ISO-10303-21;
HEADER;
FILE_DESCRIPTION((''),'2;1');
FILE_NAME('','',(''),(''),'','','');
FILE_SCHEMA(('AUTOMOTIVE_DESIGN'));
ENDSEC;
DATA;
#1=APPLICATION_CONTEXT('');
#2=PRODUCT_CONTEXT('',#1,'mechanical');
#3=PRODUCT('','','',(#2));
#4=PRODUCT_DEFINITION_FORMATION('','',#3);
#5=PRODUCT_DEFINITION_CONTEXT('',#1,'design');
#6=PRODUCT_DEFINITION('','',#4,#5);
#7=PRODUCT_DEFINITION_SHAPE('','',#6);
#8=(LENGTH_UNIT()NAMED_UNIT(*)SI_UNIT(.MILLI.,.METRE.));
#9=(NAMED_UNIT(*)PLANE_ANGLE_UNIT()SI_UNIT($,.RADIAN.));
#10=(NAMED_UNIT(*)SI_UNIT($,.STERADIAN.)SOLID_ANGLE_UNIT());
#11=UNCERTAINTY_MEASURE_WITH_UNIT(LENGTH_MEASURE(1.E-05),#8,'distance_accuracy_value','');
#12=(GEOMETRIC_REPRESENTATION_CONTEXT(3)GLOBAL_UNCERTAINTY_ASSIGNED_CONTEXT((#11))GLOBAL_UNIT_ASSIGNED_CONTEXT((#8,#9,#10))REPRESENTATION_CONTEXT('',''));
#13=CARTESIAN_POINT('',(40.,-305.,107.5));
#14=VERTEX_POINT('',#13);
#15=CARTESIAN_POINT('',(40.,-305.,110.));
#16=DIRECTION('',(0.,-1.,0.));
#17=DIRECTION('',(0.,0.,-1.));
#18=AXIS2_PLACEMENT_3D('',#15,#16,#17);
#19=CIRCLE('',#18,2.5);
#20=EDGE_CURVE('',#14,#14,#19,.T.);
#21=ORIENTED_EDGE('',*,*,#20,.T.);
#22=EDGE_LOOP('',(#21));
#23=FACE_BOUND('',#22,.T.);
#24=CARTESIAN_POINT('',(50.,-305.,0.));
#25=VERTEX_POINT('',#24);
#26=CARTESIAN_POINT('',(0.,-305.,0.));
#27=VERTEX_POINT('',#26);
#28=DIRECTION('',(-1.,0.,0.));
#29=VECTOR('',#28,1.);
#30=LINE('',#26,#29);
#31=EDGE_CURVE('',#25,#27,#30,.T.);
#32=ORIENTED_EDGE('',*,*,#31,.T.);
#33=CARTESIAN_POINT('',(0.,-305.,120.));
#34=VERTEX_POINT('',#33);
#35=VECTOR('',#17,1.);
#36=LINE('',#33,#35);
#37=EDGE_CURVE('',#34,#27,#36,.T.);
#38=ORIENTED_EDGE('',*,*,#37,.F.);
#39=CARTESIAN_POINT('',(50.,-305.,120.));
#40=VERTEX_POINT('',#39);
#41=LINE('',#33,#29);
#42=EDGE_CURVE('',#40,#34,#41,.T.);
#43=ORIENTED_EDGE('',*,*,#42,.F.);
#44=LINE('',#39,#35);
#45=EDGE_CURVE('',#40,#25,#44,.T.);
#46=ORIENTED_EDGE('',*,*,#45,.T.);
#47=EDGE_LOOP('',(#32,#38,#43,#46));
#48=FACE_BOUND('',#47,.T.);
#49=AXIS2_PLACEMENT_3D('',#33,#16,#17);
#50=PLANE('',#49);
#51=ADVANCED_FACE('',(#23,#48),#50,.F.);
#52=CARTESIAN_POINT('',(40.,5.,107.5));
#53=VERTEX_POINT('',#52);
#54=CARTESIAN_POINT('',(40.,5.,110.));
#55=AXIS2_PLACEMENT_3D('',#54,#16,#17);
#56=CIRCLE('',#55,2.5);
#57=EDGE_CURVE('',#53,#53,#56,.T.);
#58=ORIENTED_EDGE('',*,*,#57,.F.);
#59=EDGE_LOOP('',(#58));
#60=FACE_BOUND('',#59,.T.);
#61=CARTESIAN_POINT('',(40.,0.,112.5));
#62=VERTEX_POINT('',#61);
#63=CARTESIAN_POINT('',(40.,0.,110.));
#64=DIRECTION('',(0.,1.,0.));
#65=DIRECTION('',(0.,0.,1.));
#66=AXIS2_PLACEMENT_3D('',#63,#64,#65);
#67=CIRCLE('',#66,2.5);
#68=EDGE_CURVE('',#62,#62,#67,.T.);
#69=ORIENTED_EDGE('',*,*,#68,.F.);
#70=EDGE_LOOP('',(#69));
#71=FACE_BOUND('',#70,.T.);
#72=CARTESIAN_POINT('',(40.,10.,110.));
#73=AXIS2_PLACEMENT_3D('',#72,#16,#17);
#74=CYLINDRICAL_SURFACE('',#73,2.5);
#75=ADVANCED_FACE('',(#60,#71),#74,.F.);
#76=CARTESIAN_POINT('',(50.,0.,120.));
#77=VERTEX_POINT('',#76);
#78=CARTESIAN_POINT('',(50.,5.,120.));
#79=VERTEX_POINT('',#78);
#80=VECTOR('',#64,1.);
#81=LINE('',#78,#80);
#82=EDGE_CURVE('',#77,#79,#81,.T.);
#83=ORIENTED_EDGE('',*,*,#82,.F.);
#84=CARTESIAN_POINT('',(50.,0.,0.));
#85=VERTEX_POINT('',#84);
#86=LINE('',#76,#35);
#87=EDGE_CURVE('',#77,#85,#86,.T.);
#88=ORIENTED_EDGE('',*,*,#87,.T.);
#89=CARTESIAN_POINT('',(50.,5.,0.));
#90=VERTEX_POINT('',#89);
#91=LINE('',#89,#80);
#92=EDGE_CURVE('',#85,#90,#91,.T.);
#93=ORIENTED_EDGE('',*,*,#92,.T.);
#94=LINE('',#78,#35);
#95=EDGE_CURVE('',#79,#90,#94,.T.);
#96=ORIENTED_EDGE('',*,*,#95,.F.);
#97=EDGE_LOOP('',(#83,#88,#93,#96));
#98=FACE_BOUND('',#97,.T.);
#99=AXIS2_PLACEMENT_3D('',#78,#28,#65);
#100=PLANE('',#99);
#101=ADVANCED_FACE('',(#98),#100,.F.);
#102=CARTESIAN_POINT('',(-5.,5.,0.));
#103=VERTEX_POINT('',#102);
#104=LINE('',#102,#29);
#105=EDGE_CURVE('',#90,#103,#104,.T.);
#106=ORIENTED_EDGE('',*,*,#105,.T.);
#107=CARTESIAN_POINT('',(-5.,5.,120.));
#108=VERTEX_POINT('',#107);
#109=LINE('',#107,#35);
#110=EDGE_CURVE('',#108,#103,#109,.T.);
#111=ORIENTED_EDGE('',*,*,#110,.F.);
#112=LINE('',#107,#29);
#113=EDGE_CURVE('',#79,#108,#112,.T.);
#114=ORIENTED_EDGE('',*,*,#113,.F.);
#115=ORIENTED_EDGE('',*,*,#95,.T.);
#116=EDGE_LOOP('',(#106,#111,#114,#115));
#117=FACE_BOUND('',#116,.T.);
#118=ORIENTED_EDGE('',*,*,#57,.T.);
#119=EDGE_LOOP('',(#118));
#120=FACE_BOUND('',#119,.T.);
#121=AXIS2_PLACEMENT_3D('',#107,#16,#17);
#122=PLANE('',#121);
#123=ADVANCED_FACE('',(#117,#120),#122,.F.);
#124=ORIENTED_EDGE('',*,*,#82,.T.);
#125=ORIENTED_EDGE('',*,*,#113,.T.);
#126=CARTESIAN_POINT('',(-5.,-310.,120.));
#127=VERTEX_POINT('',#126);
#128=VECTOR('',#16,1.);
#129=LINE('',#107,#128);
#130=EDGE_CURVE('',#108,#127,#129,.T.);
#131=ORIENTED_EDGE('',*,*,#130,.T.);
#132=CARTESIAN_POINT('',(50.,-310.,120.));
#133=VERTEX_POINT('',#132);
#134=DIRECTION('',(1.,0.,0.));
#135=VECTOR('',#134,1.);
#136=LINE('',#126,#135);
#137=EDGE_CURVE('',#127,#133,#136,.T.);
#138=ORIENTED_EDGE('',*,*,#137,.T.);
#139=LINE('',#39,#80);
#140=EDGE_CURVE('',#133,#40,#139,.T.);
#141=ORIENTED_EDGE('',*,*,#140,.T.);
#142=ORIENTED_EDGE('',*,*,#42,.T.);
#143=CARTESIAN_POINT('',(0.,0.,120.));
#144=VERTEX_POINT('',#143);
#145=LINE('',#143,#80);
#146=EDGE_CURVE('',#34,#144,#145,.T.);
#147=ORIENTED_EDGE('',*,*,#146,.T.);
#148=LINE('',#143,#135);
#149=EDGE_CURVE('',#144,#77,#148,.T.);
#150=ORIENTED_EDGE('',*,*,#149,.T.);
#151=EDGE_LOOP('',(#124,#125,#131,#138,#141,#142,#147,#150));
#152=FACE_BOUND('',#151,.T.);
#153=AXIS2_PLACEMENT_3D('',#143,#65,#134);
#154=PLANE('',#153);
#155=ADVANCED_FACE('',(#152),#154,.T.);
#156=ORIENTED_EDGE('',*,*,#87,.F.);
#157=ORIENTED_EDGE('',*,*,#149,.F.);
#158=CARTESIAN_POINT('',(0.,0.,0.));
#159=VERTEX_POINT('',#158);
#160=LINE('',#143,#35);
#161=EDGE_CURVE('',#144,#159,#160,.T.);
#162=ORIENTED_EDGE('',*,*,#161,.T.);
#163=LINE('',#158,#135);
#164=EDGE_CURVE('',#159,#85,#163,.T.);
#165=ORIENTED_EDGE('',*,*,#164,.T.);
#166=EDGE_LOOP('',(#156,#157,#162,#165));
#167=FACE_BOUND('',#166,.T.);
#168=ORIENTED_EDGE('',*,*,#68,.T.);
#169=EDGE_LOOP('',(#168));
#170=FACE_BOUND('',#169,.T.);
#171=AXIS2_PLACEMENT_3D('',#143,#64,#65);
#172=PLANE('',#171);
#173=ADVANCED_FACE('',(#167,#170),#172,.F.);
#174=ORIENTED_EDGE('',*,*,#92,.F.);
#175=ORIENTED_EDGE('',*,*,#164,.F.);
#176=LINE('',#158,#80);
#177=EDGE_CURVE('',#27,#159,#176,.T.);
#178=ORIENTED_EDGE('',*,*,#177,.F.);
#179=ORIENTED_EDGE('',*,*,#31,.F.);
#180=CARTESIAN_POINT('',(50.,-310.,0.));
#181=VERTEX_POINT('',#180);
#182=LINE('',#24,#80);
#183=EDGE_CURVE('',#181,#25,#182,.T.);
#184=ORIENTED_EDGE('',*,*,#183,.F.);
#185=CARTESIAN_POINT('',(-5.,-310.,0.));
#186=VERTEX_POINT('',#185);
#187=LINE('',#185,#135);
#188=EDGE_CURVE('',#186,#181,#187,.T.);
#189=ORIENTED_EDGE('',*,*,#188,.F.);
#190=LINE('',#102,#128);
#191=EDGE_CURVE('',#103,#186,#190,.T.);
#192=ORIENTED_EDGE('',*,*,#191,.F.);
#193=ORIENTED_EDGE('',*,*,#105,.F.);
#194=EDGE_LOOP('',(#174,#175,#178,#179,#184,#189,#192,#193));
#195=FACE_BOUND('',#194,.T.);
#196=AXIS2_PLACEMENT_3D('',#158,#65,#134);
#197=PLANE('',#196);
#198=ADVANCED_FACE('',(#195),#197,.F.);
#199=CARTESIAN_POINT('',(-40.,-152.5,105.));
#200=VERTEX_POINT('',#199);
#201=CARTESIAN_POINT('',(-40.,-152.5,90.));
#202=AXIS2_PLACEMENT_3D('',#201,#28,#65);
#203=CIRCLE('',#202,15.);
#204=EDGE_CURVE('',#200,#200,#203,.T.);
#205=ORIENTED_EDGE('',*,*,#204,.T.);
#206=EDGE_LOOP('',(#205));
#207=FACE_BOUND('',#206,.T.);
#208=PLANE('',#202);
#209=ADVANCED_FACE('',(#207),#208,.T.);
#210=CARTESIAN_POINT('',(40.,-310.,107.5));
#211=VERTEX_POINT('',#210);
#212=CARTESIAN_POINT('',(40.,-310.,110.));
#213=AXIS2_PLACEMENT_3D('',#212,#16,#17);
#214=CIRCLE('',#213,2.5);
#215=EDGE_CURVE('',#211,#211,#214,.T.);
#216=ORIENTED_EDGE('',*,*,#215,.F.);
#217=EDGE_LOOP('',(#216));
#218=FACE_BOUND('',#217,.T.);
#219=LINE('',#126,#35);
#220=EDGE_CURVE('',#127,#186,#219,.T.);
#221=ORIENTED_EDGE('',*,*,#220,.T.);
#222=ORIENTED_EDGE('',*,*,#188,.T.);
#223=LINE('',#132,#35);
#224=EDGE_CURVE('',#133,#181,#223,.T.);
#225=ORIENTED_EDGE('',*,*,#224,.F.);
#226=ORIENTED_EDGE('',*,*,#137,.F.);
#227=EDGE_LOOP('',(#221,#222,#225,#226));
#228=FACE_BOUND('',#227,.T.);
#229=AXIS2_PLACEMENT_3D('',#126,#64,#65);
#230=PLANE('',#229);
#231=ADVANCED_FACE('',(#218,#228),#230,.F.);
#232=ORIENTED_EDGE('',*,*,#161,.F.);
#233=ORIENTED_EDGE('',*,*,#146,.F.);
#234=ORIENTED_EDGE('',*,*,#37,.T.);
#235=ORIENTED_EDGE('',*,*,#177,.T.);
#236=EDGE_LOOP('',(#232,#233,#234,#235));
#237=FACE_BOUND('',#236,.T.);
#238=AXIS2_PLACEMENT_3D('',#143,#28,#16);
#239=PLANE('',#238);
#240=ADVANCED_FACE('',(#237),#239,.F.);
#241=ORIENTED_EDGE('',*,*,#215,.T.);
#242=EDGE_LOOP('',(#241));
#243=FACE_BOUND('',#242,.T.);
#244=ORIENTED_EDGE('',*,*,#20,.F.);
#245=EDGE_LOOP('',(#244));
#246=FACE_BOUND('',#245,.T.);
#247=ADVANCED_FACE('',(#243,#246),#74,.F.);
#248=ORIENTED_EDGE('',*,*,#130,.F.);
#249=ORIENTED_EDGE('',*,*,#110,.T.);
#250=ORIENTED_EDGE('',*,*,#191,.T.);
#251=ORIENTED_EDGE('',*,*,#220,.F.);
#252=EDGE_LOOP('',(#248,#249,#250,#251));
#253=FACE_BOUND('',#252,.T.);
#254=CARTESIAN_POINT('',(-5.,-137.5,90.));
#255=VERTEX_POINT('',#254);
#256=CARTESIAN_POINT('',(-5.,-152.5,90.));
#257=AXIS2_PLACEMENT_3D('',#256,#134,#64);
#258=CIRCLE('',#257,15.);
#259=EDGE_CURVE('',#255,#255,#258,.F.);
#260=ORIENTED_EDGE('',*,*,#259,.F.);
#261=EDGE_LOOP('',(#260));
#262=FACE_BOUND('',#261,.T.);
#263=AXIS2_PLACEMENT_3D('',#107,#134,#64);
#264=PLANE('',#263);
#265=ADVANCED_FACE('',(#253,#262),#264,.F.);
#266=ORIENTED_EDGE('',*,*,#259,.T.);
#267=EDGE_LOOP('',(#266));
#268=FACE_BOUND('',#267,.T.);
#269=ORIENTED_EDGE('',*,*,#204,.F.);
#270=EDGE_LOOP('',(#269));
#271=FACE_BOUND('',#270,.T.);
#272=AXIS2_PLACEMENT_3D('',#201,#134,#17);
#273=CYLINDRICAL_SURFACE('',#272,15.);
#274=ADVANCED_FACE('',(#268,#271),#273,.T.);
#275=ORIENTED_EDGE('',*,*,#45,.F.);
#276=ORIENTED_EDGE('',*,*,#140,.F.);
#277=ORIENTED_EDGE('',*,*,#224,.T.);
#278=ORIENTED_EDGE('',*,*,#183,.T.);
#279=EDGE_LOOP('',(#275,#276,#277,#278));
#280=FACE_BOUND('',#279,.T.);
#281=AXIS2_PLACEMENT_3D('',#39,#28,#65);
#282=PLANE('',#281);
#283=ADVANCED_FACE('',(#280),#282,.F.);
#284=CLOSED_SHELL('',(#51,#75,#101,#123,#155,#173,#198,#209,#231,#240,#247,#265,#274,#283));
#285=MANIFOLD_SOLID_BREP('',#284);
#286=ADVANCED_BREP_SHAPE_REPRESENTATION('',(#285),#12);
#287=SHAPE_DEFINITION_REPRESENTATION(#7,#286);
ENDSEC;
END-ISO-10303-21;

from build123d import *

# Parameters (mm, degrees)
BOSS_EXTRUDE1_DEPTH = 120
SKETCH2_R           = 15
BOSS_EXTRUDE2_DEPTH = 35
SKETCH3_R           = 2.5
CUT_EXTRUDE1_DEPTH  = 320


with BuildPart() as part:
    # Sketch1 → Boss-Extrude1 (new body)
    with BuildSketch(Plane.XY):
        Polygon((-5, 5), (50, 5), (50, 0), (0, 0), (0, -305), (50, -305), (50, -310), (-5, -310), align=None)
    extrude(amount=BOSS_EXTRUDE1_DEPTH)

    # Sketch2 → Boss-Extrude2 (add)
    with BuildSketch(Plane.ZY.offset(5)):
        with Locations(Location((90, -152.5, 0), (0, 0, 90))):
            Circle(SKETCH2_R)
    extrude(amount=BOSS_EXTRUDE2_DEPTH)

    # Sketch3 → Cut-Extrude1 (cut)
    with BuildSketch(Plane.XZ.offset(310)):
        with Locations(Location((40, 110, 0), (0, 0, 270))):
            Circle(SKETCH3_R)
    extrude(amount=-CUT_EXTRUDE1_DEPTH, mode=Mode.SUBTRACT)


solid = part.part
